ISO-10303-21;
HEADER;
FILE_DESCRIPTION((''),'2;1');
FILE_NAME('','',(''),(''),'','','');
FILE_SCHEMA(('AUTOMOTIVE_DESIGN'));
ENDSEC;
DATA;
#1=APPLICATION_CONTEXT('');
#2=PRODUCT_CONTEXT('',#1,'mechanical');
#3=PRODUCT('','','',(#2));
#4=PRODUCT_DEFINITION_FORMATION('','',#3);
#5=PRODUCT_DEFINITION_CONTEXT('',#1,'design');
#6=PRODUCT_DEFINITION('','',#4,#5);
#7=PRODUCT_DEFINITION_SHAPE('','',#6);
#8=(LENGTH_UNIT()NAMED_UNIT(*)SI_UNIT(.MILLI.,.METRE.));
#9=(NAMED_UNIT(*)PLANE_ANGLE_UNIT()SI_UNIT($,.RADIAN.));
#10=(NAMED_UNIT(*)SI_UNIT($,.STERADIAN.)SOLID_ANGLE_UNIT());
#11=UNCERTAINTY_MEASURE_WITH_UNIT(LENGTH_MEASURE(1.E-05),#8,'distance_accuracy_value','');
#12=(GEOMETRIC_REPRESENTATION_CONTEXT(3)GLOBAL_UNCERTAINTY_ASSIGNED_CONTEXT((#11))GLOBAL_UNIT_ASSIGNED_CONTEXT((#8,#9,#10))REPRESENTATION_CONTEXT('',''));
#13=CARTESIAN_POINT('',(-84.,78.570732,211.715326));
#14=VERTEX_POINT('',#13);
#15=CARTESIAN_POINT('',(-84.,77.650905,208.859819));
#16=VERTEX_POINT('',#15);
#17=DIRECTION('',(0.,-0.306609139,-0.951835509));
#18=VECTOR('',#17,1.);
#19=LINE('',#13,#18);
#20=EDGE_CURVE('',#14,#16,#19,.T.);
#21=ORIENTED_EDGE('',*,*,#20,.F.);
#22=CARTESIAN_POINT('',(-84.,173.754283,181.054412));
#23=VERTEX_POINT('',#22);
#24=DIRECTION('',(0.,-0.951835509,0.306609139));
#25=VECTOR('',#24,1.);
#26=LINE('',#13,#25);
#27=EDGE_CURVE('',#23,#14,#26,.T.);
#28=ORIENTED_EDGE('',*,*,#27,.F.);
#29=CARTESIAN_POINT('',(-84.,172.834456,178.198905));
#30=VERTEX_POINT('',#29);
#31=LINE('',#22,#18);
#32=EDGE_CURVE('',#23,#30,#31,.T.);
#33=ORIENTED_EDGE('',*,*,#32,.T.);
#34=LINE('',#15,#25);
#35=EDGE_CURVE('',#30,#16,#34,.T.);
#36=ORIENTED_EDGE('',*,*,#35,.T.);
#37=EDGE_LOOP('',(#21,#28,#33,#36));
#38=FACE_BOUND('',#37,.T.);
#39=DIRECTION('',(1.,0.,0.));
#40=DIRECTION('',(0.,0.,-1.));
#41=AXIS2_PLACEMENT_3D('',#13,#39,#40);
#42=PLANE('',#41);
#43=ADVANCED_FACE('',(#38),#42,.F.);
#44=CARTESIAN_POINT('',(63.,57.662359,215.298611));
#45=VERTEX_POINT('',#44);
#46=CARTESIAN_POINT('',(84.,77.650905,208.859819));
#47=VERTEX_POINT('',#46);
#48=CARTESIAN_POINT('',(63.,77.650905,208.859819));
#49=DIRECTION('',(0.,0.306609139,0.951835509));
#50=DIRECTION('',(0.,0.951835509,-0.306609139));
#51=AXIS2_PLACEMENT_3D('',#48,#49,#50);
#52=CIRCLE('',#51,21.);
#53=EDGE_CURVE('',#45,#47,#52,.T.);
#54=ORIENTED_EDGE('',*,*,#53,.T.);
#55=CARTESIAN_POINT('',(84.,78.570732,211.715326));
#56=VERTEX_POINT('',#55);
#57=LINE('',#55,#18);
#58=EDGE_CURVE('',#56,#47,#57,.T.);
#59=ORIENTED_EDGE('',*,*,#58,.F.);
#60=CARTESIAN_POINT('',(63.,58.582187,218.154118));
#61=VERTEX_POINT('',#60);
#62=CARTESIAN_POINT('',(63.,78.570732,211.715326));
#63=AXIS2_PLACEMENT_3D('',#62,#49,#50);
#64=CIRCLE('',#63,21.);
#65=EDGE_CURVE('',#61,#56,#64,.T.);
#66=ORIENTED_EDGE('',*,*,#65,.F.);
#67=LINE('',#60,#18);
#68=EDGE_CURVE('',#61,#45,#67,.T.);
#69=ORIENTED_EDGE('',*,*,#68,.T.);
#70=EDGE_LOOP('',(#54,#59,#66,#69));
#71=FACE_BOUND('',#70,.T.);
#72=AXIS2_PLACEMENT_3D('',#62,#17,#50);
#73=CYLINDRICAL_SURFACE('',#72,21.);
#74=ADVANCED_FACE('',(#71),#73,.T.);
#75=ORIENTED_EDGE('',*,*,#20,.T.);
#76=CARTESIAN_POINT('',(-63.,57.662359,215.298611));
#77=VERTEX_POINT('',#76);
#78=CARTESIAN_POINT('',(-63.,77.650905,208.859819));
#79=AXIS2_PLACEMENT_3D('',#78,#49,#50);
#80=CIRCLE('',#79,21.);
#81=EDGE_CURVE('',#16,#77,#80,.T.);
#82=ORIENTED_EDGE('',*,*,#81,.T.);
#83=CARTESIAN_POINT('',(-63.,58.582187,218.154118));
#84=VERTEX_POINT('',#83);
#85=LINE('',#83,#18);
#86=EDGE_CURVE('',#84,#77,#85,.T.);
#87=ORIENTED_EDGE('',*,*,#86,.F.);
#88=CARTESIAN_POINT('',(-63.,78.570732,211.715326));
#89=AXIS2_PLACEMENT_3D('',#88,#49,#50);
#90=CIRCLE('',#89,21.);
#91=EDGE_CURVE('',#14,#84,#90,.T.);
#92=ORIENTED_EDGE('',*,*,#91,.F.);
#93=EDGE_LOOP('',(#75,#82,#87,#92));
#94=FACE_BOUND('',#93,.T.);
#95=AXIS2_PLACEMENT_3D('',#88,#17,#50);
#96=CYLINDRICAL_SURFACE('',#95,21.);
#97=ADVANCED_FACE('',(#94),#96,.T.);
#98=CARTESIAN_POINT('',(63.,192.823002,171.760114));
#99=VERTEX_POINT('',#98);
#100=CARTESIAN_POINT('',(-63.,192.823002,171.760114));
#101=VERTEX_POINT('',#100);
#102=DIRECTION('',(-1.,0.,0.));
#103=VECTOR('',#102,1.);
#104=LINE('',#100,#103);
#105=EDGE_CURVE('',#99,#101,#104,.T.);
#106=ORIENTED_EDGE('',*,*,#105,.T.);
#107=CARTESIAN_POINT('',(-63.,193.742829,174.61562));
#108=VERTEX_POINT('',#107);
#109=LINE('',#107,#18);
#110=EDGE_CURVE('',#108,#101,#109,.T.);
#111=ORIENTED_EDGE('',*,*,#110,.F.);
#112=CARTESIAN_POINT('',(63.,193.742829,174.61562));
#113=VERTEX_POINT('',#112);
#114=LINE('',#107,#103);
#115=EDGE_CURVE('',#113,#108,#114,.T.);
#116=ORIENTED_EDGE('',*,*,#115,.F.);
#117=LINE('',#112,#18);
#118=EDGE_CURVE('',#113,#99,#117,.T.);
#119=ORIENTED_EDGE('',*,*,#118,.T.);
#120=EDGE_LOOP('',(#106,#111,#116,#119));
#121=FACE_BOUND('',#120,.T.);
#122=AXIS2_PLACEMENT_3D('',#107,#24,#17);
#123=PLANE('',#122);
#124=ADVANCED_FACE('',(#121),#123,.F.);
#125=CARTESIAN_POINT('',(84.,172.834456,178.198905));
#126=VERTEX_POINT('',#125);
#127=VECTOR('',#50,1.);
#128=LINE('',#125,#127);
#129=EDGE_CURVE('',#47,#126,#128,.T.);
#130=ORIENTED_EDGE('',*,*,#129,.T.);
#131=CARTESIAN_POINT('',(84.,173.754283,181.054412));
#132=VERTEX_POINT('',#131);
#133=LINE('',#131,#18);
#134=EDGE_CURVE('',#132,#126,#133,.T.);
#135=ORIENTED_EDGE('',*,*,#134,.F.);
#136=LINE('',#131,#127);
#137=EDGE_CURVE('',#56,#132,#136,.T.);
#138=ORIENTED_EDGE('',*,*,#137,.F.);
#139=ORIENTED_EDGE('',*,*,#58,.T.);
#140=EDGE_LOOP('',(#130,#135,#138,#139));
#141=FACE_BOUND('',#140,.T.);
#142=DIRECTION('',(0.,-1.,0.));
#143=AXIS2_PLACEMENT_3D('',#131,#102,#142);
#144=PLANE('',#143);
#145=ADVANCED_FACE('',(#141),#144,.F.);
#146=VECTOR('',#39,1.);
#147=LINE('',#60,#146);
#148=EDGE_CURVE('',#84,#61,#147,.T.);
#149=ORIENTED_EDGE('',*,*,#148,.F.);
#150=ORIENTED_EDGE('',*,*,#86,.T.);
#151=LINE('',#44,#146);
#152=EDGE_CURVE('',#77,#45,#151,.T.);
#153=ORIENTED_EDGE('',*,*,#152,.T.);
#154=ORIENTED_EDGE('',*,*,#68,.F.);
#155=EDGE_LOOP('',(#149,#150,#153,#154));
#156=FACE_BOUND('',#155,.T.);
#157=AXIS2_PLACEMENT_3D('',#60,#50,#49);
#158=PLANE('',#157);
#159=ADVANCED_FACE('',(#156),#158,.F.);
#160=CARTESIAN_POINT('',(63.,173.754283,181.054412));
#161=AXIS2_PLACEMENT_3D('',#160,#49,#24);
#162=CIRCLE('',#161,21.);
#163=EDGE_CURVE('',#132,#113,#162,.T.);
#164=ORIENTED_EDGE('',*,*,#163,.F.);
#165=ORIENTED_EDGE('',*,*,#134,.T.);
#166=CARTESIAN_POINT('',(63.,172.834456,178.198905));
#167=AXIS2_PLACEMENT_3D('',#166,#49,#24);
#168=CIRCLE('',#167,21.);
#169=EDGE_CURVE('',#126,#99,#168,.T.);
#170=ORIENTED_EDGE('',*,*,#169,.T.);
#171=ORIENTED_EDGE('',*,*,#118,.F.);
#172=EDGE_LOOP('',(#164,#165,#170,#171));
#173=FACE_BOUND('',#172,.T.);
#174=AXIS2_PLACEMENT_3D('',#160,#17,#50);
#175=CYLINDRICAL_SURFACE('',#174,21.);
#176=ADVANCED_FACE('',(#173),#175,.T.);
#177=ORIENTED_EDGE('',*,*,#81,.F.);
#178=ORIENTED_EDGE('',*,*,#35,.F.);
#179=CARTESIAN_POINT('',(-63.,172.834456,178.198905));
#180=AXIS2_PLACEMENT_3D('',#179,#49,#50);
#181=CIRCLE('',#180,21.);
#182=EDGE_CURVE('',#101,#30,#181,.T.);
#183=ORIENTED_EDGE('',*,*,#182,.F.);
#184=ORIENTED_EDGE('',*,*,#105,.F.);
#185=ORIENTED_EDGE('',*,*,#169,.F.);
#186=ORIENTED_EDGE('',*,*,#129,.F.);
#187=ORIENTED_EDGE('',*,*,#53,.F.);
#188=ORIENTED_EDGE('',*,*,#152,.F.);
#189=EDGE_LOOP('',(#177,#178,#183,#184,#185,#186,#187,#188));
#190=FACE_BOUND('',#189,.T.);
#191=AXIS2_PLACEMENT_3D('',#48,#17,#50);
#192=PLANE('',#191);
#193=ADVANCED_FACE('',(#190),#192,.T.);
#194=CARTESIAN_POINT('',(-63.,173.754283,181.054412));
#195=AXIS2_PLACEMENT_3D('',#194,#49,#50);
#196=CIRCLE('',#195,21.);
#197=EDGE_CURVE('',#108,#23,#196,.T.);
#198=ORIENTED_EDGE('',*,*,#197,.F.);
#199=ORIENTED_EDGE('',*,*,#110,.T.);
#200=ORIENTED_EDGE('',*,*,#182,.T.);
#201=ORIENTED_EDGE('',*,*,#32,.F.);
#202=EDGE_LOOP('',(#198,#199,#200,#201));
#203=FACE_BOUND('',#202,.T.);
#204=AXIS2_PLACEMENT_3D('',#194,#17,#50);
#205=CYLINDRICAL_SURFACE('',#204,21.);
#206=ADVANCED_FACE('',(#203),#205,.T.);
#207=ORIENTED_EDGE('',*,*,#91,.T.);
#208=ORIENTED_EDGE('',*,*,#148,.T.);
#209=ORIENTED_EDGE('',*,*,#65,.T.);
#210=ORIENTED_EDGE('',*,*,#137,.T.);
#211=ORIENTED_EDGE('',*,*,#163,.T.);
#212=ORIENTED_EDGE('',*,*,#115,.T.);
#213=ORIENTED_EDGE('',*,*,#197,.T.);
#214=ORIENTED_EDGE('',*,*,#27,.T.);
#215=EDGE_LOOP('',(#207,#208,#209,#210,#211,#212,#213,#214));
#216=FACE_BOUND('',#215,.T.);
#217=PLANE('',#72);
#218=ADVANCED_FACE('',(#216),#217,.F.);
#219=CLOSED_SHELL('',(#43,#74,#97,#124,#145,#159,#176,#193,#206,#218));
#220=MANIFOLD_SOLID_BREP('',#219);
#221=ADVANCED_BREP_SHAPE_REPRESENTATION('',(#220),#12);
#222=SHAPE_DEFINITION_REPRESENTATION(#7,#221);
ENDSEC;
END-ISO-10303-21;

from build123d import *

# Parameters (mm, degrees)
BOSS_EXTRUDE1_DEPTH = 3


with BuildPart() as part:
    # Sketch1 → Boss-Extrude1 (new body)
    with BuildSketch(Plane(origin=(0, 68.253852605, 211.886836303), x_dir=(1, 0, 0), z_dir=(0, 0.306609139, 0.951835509))):
        with BuildLine():
            Line((84, 109.872559187), (84, 9.872559187))
            ThreePointArc((84, 9.872559187), (77.849242405, -4.976683218), (63, -11.127440813))
            Line((63, -11.127440813), (-63, -11.127440813))
            ThreePointArc((-63, -11.127440813), (-77.849242405, -4.976683218), (-84, 9.872559187))
            Line((-84, 9.872559187), (-84, 109.872559187))
            ThreePointArc((-84, 109.872559187), (-77.849242405, 124.721801592), (-63, 130.872559187))
            Line((-63, 130.872559187), (63, 130.872559187))
            ThreePointArc((63, 130.872559187), (77.849242405, 124.721801592), (84, 109.872559187))
        make_face()
    extrude(amount=BOSS_EXTRUDE1_DEPTH)


solid = part.part
